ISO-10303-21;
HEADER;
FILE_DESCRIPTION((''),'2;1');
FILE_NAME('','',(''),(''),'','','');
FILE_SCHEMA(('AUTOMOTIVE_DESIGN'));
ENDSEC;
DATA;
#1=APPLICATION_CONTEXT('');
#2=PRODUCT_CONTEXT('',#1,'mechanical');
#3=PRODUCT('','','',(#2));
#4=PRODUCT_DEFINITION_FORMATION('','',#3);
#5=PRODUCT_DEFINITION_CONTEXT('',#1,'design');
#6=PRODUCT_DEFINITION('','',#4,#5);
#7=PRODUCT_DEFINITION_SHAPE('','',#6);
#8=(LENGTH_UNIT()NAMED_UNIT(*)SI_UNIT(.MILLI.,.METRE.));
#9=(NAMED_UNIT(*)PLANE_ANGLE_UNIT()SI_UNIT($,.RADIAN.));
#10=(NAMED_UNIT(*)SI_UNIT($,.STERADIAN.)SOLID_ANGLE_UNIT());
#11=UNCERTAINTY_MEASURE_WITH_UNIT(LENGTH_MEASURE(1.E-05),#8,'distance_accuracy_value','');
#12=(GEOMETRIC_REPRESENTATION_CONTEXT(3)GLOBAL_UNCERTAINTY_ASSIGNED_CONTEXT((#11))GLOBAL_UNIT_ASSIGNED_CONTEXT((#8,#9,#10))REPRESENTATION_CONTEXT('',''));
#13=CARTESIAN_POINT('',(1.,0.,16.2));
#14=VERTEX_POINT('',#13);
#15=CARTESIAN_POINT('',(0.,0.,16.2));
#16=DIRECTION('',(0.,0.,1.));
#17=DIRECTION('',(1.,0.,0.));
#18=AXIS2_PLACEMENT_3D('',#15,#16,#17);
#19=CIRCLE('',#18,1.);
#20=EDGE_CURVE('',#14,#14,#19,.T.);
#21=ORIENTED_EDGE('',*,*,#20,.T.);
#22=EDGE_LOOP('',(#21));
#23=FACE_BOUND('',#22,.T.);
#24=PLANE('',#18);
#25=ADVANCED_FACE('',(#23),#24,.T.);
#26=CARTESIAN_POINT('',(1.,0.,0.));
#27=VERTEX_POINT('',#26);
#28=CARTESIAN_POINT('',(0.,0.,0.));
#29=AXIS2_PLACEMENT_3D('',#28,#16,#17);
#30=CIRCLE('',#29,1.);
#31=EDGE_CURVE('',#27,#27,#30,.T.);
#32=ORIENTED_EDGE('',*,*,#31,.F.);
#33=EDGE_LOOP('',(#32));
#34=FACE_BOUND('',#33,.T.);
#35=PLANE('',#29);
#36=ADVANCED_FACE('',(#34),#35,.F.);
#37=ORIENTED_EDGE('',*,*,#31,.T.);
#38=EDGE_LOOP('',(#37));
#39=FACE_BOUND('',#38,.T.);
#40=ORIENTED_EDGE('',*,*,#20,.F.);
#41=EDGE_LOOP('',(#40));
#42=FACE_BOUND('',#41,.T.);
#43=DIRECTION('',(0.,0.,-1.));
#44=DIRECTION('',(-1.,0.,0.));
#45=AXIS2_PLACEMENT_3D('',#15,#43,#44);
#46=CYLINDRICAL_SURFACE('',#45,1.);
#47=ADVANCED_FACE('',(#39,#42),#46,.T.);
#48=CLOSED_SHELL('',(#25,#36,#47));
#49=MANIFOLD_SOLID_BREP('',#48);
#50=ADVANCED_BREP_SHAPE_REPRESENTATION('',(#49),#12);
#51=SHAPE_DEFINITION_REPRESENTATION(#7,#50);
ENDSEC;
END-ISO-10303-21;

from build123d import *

# Parameters (mm, degrees)
SKETCH_1_R      = 1
EXTRUDE_2_DEPTH = 16.2


with BuildPart() as part:
    # 草图1 → 凸台-拉伸2 (new body)
    with BuildSketch(Plane.XY):
        Circle(SKETCH_1_R)
    extrude(amount=EXTRUDE_2_DEPTH)


solid = part.part
